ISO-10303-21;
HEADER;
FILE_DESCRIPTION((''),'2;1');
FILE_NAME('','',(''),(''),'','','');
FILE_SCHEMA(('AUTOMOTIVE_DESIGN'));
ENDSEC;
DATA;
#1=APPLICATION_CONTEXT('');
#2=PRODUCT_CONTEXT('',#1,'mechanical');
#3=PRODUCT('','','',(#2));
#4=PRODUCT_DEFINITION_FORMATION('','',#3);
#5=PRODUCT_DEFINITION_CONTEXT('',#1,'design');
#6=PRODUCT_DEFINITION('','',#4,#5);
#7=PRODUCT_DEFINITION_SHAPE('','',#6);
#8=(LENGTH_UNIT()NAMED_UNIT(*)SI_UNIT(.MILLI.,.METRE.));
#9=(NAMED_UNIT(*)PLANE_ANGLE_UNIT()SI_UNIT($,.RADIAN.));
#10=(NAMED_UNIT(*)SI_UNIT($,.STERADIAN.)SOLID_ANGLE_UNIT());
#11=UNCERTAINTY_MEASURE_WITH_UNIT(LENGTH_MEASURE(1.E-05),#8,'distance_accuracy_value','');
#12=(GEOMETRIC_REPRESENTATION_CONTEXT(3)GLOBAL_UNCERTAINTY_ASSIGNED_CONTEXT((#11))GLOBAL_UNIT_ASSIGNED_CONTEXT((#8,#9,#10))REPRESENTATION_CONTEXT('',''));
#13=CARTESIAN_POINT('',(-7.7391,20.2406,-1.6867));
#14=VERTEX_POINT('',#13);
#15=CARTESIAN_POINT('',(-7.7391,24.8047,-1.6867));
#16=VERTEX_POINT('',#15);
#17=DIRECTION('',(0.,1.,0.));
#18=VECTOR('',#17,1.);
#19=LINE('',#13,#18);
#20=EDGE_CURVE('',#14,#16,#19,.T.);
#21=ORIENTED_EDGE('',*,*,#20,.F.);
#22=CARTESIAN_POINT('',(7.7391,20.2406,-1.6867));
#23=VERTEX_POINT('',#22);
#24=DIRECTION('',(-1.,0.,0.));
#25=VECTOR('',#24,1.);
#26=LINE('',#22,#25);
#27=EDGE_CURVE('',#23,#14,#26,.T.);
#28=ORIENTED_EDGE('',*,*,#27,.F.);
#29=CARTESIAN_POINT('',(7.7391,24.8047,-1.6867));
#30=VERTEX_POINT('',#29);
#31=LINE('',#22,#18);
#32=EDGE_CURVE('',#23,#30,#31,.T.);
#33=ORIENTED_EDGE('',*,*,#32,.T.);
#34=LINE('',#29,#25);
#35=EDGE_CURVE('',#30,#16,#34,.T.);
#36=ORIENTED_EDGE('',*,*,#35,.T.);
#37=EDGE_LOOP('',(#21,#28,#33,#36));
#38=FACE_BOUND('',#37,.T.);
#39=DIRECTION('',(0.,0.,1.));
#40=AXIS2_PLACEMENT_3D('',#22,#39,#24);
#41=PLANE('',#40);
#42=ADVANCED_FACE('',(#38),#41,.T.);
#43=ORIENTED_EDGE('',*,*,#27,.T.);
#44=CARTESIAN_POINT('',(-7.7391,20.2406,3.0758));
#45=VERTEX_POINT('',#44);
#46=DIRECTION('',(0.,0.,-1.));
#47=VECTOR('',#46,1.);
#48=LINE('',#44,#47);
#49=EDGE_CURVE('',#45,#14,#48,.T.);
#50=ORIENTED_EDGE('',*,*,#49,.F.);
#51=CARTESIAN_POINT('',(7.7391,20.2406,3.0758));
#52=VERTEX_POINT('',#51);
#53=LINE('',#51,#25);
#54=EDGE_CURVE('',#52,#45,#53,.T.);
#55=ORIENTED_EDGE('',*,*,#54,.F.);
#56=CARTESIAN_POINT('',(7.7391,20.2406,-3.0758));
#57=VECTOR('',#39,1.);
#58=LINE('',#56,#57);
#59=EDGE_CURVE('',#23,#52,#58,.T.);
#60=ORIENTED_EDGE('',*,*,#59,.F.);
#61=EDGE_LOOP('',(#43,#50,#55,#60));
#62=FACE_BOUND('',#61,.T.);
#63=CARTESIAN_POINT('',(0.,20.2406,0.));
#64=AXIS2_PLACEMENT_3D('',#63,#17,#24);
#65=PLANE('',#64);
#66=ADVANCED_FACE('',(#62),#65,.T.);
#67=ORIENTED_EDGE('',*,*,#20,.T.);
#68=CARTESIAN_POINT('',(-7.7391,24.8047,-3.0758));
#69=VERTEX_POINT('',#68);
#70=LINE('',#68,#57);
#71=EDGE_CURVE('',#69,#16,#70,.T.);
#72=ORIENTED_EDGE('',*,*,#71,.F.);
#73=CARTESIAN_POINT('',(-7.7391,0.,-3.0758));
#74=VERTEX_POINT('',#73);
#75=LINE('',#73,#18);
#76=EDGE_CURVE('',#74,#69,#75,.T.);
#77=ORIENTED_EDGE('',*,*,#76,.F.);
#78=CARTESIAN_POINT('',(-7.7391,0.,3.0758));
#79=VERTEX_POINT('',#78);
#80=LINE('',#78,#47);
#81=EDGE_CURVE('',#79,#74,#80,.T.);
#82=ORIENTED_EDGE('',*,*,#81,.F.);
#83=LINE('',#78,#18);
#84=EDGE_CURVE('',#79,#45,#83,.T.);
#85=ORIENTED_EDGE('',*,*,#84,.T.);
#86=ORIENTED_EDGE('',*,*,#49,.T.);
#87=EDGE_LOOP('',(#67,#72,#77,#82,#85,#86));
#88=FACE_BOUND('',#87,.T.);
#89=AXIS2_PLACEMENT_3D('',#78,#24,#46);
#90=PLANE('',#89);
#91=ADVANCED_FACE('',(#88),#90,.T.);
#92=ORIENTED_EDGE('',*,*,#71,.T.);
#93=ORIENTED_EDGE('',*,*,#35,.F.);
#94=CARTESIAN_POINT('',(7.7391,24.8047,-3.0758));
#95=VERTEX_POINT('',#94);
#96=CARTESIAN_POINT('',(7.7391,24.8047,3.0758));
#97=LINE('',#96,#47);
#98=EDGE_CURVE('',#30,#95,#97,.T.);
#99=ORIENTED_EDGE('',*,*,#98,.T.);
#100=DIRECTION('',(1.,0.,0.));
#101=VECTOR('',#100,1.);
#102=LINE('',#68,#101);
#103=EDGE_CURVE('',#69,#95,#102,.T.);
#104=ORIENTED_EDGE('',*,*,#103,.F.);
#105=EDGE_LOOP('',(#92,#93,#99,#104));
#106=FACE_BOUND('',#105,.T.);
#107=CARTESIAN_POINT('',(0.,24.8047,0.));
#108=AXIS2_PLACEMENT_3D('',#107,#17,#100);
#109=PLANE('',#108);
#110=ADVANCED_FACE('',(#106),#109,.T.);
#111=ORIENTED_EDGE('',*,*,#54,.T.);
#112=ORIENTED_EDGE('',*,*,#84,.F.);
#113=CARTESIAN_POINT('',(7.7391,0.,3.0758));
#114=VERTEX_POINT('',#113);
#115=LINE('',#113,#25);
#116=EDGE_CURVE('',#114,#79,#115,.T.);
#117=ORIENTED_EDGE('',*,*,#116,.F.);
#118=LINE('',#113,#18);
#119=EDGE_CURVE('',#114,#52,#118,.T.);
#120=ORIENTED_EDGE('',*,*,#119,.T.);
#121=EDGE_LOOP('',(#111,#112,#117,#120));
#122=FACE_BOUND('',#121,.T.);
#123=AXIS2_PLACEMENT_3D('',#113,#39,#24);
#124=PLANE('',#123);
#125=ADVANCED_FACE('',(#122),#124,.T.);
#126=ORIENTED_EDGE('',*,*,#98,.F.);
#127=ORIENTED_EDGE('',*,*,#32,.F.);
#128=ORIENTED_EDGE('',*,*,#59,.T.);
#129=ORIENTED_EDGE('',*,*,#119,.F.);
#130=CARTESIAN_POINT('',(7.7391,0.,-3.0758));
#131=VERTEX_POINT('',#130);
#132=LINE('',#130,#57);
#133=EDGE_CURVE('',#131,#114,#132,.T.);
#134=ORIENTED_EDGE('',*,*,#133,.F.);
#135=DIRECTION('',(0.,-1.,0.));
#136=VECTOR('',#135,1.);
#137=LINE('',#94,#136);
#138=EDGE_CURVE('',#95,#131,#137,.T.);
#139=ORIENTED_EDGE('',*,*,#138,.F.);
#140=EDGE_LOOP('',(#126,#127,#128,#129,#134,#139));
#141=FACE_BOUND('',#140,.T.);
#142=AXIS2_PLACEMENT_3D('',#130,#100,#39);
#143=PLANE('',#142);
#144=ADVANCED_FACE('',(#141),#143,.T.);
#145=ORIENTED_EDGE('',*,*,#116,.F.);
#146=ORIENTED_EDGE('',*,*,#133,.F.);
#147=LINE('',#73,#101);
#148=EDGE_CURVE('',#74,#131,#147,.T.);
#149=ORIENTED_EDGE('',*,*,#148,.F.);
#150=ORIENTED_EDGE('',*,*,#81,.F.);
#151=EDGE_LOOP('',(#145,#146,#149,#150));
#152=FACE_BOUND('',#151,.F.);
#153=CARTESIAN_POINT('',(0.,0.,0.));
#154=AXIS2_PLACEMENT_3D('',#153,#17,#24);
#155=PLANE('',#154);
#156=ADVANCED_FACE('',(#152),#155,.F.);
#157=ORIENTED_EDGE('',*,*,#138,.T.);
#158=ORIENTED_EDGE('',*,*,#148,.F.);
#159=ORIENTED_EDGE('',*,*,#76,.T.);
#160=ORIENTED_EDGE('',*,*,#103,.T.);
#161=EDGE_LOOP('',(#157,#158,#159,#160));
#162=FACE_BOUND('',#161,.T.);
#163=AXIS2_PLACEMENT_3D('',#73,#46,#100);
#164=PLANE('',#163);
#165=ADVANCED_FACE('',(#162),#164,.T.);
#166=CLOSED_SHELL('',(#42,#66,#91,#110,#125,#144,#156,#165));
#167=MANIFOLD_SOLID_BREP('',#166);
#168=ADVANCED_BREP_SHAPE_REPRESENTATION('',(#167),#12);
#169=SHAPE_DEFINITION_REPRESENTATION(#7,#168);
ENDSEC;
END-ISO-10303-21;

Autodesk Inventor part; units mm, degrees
ref_plane "YZ Plane" through (0, 0, 0) normal (1, 0, 0) x (0, 1, 0)
ref_plane "XZ Plane" through (0, 0, 0) normal (0, 1, 0) x (-1, 0, 0)
ref_plane "XY Plane" through (0, 0, 0) normal (0, 0, 1) x (1, 0, 0)
sketch "Sketch1" plane through (0, 0, 0) normal (0, 1, 0) x (-1, 0, 0)
  line L0 (7.7391, -3.0758) -> (-7.7391, -3.0758)
  line L1 (-7.7391, -3.0758) -> (-7.7391, 3.0758)
  line L2 (-7.7391, 3.0758) -> (7.7391, 3.0758)
  line L3 (7.7391, 3.0758) -> (7.7391, -3.0758)
  point P0 (0, 0)
  point P1 (-7.7391, 0)
  point P2 (0, -3.0758)
  dimension "d0" = 15.4781
  dimension "d1" = 6.1516
extrude "Extrusion1" add sketch "Sketch1" along normal blind 20.2406
sketch "Sketch2" plane through (0, 20.2406, 0) normal (0, 1, 0) x (1, 0, 0)
  line L0 (-7.7391, 3.0758) -> (-7.7391, -3.0758) projected
  line L1 (7.7391, -3.0758) -> (7.7391, 3.0758) projected
  line L2 (-7.7391, 3.0758) -> (7.7391, 3.0758)
  line L3 (7.7391, 3.0758) -> (7.7391, 1.6867)
  line L4 (7.7391, 1.6867) -> (-7.7391, 1.6867)
  line L5 (-7.7391, 1.6867) -> (-7.7391, 3.0758)
  point P0 (0, 0)
  point P1 (-7.7391, 1.6867)
  dimension "d4" = 1.3891
extrude "Extrusion2" add sketch "Sketch2" along normal blind 4.5641
sketch "Sketch3" plane through (-7.7391, 20.2406, -1.6867) normal (0, 0, 1) x (1, 0, 0)
  point P0 (7.7391, -20.2406)
properties part number "DHT22"
